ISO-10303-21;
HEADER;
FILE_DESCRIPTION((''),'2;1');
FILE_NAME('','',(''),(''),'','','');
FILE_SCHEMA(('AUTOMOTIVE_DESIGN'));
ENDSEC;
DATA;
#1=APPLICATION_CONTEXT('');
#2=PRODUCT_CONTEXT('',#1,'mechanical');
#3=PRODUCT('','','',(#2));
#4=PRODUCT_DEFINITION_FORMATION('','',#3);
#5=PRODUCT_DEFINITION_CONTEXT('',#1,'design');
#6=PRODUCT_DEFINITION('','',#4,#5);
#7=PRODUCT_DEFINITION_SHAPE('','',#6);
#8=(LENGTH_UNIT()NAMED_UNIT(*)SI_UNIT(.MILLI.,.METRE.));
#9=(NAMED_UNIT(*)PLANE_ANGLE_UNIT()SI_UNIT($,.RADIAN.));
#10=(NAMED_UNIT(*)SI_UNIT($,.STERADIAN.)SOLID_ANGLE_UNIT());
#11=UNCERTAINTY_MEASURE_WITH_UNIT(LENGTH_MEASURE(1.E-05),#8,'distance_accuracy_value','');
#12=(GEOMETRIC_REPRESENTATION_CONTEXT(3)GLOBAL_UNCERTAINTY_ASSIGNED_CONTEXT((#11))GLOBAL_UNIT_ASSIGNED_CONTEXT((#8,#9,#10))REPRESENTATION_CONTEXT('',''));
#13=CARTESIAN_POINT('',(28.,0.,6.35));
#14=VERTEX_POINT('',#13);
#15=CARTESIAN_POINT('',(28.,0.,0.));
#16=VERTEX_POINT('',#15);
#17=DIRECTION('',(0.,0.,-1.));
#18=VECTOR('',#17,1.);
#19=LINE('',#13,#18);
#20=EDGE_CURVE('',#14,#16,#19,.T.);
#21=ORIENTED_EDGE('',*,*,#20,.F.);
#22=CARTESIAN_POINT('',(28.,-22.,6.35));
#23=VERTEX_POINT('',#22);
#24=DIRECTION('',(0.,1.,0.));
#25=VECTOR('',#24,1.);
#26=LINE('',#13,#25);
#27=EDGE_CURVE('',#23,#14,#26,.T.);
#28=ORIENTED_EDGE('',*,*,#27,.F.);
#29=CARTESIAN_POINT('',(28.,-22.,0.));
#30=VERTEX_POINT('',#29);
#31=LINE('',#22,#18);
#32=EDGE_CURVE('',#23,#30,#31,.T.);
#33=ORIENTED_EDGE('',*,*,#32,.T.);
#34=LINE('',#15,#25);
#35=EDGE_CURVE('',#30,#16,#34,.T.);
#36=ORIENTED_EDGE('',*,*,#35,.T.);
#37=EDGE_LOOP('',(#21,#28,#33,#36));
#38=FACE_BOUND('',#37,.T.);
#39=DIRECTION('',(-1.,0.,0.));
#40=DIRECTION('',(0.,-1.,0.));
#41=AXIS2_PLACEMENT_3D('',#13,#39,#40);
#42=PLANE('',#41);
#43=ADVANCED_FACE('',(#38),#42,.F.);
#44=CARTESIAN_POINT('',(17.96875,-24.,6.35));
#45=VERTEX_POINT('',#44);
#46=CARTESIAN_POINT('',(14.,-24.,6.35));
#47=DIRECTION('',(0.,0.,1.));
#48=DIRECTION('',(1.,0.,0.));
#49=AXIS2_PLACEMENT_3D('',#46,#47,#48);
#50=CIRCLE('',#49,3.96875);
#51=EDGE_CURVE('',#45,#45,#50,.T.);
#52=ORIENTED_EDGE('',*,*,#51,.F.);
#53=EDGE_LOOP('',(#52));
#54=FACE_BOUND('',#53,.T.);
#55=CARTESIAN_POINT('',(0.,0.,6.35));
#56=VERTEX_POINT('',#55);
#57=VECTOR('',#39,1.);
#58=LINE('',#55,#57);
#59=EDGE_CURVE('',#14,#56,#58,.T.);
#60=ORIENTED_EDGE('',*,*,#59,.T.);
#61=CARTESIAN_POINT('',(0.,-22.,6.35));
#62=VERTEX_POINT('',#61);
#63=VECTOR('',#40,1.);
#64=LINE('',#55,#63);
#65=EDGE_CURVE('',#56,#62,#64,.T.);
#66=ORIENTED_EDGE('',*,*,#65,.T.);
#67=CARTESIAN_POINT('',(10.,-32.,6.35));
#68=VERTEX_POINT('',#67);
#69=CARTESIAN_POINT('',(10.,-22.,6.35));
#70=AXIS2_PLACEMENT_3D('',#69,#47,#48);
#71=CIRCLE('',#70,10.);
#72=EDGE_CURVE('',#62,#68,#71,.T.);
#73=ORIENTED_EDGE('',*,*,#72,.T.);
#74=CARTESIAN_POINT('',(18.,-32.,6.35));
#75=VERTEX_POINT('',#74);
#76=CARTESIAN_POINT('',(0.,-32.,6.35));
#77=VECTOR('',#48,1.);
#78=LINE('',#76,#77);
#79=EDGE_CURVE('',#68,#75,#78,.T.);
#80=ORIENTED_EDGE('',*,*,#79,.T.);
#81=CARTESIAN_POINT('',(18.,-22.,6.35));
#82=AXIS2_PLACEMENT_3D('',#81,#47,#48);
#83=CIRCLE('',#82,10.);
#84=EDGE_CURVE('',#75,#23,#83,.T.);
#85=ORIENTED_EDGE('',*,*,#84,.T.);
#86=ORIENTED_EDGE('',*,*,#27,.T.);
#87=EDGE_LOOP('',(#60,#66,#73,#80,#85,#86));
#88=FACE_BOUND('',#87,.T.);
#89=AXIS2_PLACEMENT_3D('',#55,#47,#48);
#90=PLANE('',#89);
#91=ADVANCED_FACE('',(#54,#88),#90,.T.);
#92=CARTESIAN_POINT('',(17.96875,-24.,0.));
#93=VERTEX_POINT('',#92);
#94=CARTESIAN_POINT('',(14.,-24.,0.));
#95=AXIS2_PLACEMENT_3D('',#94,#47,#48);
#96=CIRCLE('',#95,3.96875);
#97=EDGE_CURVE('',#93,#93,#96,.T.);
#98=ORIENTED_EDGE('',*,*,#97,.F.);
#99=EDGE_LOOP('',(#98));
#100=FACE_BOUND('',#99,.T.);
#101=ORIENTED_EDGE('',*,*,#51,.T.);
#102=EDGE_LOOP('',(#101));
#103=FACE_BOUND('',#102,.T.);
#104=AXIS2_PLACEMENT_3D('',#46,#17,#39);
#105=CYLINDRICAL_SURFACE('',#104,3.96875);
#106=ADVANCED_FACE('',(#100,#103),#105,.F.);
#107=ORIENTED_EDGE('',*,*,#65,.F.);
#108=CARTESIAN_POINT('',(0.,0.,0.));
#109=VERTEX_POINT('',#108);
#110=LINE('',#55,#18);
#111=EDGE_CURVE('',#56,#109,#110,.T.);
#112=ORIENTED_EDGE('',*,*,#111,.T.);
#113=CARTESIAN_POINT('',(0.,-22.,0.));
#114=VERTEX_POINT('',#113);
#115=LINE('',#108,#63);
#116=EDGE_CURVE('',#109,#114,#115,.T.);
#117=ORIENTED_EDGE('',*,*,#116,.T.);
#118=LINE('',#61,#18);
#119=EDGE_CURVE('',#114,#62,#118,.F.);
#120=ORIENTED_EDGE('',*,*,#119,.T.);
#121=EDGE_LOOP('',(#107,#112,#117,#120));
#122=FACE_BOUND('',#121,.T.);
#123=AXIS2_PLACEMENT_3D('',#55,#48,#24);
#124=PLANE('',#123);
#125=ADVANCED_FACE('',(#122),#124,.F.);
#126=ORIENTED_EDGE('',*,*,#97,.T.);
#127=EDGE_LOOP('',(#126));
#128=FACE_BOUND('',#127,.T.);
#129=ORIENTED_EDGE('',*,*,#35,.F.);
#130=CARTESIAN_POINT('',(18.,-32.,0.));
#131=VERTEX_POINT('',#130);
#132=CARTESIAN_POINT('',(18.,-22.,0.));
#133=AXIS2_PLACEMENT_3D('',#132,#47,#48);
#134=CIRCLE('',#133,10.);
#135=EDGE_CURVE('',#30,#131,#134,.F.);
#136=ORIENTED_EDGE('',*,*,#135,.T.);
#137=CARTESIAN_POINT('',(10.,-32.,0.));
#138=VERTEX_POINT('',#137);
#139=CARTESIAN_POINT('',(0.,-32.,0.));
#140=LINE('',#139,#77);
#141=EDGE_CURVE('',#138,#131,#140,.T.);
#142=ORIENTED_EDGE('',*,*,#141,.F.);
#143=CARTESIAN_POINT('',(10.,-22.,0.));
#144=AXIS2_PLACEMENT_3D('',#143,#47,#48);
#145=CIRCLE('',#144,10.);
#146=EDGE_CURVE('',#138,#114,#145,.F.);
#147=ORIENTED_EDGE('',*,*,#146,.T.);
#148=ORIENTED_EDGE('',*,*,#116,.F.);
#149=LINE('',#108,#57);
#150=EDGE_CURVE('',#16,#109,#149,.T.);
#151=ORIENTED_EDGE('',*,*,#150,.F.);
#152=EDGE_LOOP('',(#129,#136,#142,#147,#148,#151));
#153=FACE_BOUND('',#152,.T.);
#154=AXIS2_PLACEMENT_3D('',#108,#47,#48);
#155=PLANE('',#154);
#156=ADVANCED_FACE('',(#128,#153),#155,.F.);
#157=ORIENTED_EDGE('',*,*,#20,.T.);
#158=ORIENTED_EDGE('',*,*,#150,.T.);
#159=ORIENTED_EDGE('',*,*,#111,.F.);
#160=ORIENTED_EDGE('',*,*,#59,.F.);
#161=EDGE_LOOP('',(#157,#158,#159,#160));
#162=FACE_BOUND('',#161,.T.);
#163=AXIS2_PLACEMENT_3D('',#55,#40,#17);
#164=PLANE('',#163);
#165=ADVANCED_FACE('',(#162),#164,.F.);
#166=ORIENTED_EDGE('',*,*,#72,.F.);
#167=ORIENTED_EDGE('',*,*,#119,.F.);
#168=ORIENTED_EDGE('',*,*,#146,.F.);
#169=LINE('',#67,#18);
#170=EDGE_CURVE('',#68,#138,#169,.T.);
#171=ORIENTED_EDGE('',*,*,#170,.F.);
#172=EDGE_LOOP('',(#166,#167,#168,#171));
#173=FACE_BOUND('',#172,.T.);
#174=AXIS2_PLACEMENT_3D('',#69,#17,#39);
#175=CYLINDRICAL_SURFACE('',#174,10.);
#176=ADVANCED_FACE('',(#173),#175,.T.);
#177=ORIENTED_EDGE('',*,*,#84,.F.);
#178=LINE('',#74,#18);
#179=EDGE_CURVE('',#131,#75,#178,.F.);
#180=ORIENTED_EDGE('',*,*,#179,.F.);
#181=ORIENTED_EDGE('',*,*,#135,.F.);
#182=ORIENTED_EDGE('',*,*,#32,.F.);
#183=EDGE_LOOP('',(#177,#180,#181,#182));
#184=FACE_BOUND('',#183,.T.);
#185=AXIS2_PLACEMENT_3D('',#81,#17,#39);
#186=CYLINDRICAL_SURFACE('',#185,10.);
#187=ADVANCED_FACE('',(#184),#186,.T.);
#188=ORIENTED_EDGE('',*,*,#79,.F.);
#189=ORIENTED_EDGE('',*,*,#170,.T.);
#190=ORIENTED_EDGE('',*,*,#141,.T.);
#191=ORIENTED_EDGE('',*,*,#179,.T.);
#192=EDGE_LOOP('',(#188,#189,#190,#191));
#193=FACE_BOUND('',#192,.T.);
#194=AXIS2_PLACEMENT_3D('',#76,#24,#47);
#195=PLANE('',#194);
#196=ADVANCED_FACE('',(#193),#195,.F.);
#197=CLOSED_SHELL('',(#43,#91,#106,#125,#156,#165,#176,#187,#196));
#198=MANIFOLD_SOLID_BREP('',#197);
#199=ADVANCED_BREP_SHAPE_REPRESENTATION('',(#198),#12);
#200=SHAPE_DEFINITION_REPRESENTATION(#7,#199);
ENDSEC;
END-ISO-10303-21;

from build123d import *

# Parameters (mm, degrees)
CROQUIS1_W              = 28
CROQUIS1_H              = 32
CROQUIS1_R              = 3.96875
SALIENTE_EXTRUIR1_DEPTH = 6.35
REDONDEO1_R             = 10


with BuildPart() as part:
    # Croquis1 → Saliente-Extruir1 (new body)
    with BuildSketch(Plane.XY):
        with Locations((14, -16)):
            Rectangle(CROQUIS1_W, CROQUIS1_H)
        with Locations((14, -24)):
            Circle(CROQUIS1_R, mode=Mode.SUBTRACT)
    extrude(amount=SALIENTE_EXTRUIR1_DEPTH)

    # Redondeo1
    redondeo1_edges = [part.edges().sort_by_distance(p)[0] for p in [
        (28, -32, 3.175),
        (0, -32, 3.175),
    ]]
    fillet(redondeo1_edges, radius=REDONDEO1_R)


solid = part.part
